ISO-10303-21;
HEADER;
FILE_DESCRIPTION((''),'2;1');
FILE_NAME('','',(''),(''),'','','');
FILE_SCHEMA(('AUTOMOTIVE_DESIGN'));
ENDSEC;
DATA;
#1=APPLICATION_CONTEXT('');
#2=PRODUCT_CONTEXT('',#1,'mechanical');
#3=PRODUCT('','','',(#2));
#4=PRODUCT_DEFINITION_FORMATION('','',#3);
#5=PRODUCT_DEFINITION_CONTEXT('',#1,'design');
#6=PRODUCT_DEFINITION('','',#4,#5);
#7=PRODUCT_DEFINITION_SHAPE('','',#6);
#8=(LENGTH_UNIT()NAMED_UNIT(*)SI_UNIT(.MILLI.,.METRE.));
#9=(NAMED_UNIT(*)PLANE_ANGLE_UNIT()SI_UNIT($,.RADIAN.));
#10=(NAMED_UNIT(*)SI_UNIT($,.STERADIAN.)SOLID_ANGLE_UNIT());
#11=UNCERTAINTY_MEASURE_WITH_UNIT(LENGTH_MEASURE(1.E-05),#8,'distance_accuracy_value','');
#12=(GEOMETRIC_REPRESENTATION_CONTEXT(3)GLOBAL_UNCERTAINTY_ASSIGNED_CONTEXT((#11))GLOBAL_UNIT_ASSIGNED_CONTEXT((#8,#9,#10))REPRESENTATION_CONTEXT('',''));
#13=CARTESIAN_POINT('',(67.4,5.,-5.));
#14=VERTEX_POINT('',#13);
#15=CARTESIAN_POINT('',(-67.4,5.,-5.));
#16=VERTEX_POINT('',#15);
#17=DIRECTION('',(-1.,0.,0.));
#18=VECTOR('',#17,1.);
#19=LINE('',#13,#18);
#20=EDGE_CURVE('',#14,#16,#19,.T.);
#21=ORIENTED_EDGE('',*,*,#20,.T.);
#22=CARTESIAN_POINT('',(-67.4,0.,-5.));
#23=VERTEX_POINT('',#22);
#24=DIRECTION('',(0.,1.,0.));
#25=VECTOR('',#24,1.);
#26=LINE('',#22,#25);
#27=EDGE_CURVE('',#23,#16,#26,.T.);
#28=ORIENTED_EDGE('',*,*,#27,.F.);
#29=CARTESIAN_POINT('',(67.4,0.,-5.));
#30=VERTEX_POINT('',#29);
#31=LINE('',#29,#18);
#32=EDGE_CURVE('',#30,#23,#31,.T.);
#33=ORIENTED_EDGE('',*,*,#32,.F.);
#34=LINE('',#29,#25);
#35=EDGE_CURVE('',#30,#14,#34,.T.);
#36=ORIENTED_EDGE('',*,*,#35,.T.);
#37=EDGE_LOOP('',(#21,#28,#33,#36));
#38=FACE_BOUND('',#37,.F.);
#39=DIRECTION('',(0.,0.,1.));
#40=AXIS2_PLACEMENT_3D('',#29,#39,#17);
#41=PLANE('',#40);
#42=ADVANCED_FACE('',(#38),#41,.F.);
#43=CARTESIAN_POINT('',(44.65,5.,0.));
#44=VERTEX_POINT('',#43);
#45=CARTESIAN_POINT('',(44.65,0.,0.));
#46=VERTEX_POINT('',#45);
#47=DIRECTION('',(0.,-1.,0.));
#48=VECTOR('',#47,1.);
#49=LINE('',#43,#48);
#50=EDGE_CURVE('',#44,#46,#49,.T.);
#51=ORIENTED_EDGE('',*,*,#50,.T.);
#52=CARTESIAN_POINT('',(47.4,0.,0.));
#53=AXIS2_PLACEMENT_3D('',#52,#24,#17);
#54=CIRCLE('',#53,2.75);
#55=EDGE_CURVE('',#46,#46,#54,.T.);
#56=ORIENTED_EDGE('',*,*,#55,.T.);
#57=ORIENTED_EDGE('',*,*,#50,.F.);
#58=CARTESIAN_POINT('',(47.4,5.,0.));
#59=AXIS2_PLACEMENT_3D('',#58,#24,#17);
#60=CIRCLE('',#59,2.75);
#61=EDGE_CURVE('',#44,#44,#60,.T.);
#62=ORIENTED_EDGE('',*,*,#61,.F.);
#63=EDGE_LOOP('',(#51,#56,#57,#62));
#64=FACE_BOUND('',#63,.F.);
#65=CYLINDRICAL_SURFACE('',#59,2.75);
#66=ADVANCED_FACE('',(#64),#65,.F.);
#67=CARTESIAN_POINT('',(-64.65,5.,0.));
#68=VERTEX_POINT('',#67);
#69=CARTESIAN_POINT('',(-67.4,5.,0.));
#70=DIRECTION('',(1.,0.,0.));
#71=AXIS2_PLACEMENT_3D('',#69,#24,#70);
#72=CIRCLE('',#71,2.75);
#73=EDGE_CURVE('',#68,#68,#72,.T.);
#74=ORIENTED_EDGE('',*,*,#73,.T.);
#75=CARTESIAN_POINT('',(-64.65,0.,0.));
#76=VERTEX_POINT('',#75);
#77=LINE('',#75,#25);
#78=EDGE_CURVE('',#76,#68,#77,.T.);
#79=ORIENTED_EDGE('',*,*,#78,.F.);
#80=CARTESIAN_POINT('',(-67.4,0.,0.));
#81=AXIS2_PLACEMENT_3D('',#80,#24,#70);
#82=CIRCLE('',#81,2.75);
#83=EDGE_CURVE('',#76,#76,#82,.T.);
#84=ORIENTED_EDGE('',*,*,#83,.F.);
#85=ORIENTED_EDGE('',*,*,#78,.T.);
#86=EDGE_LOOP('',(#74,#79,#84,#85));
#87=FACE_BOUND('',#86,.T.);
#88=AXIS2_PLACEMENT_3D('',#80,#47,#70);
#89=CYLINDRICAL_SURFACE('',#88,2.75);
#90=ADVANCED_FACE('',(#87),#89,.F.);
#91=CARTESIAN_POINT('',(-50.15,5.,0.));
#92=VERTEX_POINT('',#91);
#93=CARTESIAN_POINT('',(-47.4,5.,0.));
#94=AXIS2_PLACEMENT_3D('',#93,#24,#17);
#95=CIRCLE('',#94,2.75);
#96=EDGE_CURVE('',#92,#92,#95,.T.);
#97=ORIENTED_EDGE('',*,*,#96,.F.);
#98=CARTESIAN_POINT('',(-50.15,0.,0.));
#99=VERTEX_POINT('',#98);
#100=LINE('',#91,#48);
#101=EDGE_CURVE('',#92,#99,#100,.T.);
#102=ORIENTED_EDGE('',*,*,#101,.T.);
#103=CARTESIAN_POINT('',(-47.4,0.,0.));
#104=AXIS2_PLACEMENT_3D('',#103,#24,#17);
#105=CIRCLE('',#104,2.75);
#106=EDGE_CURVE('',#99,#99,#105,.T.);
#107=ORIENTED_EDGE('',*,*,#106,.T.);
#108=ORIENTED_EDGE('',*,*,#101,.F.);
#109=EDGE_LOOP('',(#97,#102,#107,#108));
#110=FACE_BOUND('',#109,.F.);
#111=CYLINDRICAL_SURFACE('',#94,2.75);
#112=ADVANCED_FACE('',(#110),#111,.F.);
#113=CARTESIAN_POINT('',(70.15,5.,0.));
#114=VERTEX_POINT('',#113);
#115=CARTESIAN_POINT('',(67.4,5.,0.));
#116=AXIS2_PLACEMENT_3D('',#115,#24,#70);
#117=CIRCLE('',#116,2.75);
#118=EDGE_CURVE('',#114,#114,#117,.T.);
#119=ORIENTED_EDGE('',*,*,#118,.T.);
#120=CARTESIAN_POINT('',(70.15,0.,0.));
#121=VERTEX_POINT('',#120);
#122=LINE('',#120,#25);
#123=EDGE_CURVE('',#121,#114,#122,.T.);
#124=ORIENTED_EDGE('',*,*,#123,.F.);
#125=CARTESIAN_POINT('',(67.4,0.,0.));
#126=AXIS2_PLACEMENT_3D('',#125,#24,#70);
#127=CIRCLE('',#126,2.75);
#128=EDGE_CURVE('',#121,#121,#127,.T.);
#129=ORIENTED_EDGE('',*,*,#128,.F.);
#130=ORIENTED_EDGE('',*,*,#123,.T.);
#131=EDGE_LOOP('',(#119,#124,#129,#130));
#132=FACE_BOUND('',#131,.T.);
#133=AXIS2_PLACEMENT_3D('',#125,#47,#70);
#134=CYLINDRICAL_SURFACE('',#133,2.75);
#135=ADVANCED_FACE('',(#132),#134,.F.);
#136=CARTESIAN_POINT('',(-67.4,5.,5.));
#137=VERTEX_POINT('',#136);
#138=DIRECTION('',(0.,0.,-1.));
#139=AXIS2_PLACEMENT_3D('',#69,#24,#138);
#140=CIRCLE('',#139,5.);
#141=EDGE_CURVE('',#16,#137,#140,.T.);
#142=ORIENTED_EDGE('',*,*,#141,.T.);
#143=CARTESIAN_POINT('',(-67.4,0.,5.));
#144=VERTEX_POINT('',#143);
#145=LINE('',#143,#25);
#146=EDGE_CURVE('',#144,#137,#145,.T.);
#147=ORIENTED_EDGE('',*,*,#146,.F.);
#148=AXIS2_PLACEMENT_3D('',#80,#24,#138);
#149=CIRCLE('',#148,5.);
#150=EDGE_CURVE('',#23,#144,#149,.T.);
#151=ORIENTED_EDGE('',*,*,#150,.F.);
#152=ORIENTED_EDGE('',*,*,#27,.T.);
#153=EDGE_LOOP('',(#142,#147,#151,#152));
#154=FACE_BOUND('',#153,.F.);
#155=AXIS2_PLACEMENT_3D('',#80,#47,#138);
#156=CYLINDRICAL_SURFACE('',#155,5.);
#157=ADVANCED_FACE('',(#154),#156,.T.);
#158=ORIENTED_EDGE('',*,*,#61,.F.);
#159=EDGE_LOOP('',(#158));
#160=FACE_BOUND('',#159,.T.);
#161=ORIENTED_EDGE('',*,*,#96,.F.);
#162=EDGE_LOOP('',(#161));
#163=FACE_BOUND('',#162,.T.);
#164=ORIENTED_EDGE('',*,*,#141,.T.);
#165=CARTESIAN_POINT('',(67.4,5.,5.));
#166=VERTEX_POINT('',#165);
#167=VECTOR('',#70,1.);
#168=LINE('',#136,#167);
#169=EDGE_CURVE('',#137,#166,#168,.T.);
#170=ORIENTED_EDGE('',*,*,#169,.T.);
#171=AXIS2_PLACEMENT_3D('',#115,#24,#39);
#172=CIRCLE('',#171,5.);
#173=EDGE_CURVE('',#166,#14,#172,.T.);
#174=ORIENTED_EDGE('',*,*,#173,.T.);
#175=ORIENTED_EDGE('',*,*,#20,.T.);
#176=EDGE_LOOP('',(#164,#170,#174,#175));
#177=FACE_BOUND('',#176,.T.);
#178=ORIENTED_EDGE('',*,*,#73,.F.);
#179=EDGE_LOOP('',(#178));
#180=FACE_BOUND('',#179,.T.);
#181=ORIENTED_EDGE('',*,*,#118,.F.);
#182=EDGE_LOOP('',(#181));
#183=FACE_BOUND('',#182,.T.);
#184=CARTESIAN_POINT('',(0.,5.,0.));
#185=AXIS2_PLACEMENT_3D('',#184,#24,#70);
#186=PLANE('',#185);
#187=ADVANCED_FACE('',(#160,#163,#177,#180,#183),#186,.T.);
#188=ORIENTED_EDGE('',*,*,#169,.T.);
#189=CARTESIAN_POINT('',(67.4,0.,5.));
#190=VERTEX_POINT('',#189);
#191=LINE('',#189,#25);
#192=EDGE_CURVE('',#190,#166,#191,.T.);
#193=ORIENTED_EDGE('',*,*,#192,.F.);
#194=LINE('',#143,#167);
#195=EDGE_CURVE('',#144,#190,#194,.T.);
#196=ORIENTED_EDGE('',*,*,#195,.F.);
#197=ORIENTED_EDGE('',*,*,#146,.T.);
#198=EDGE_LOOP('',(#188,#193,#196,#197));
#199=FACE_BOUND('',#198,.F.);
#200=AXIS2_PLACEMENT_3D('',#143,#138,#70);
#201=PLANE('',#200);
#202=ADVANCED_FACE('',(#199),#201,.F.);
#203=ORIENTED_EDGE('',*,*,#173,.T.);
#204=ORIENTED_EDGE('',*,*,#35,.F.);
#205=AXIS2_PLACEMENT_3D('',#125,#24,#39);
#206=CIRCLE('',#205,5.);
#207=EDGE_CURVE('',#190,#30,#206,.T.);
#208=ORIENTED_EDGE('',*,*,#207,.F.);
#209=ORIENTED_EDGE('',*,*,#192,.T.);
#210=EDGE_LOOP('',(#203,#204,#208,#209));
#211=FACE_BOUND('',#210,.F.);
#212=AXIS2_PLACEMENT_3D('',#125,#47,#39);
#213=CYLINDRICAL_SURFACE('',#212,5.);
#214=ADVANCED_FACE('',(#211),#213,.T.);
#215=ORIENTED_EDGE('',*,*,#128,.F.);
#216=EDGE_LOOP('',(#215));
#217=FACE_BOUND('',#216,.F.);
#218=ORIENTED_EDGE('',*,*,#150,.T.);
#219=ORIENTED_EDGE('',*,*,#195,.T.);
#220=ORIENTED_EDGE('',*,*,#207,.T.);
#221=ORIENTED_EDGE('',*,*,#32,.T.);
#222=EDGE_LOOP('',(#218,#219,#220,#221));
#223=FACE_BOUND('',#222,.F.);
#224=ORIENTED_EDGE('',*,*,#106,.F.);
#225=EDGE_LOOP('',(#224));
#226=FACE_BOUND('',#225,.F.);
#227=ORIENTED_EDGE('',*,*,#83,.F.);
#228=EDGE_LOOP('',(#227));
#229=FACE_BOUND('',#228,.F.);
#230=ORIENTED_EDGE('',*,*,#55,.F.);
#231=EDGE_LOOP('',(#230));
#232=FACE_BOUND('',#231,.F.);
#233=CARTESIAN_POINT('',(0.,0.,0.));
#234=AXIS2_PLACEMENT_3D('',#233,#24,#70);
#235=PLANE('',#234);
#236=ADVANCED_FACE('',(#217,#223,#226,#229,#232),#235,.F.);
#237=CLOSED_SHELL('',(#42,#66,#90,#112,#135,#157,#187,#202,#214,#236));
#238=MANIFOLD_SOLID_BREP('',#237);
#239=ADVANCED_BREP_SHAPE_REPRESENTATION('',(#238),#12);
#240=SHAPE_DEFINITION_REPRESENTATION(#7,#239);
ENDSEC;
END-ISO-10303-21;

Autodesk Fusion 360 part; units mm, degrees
sketch "Boceto1" plane through (0, 0, 0) normal (0, 1, 0) x (1, 0, 0)
  line L0 (-67.4, -5) -> (67.4, -5)
  arc A0 (67.4, -5) -> (67.4, 5) centre (67.4, 0) ccw
  line L1 (67.4, 5) -> (-67.4, 5)
  arc A1 (-67.4, 5) -> (-67.4, -5) centre (-67.4, 0) ccw
  line L2 (-67.4, 0) -> (67.4, 0) construction
  circle A2 centre (-67.4, 0) radius 2.75
  circle A3 centre (67.4, 0) radius 2.75
  dimension "d1" = 10
  dimension "d2" = 134.8
  dimension "d3" = 5.5
  dimension "d4" = 5.5
extrude "Extruir1" add sketch "Boceto1" along normal blind 5
sketch "Boceto2" plane through (0, 5, 0) normal (0, 1, 0) x (-1, 0, 0)
  circle A0 centre (-67.4, 0) radius 2.75
  circle A1 centre (67.4, 0) radius 2.75
  arc A2 (67.4, -5) -> (67.4, 5) centre (67.4, 0) ccw
  line L0 (67.4, 5) -> (-67.4, 5)
  arc A3 (-67.4, 5) -> (-67.4, -5) centre (-67.4, 0) ccw
  line L1 (-67.4, -5) -> (67.4, -5)
  circle A4 centre (47.4, 0) radius 2.75
  circle A5 centre (67.4, 0) radius 2.75
  line L2 (0, 0) -> (0, -16) construction
  circle A6 centre (-47.4, 0) radius 2.75
  dimension "d7" = 5.5
  dimension "d8" = 20
extrude "Extruir2" cut sketch "Boceto2" against normal blind 13 contours A4 | A6
